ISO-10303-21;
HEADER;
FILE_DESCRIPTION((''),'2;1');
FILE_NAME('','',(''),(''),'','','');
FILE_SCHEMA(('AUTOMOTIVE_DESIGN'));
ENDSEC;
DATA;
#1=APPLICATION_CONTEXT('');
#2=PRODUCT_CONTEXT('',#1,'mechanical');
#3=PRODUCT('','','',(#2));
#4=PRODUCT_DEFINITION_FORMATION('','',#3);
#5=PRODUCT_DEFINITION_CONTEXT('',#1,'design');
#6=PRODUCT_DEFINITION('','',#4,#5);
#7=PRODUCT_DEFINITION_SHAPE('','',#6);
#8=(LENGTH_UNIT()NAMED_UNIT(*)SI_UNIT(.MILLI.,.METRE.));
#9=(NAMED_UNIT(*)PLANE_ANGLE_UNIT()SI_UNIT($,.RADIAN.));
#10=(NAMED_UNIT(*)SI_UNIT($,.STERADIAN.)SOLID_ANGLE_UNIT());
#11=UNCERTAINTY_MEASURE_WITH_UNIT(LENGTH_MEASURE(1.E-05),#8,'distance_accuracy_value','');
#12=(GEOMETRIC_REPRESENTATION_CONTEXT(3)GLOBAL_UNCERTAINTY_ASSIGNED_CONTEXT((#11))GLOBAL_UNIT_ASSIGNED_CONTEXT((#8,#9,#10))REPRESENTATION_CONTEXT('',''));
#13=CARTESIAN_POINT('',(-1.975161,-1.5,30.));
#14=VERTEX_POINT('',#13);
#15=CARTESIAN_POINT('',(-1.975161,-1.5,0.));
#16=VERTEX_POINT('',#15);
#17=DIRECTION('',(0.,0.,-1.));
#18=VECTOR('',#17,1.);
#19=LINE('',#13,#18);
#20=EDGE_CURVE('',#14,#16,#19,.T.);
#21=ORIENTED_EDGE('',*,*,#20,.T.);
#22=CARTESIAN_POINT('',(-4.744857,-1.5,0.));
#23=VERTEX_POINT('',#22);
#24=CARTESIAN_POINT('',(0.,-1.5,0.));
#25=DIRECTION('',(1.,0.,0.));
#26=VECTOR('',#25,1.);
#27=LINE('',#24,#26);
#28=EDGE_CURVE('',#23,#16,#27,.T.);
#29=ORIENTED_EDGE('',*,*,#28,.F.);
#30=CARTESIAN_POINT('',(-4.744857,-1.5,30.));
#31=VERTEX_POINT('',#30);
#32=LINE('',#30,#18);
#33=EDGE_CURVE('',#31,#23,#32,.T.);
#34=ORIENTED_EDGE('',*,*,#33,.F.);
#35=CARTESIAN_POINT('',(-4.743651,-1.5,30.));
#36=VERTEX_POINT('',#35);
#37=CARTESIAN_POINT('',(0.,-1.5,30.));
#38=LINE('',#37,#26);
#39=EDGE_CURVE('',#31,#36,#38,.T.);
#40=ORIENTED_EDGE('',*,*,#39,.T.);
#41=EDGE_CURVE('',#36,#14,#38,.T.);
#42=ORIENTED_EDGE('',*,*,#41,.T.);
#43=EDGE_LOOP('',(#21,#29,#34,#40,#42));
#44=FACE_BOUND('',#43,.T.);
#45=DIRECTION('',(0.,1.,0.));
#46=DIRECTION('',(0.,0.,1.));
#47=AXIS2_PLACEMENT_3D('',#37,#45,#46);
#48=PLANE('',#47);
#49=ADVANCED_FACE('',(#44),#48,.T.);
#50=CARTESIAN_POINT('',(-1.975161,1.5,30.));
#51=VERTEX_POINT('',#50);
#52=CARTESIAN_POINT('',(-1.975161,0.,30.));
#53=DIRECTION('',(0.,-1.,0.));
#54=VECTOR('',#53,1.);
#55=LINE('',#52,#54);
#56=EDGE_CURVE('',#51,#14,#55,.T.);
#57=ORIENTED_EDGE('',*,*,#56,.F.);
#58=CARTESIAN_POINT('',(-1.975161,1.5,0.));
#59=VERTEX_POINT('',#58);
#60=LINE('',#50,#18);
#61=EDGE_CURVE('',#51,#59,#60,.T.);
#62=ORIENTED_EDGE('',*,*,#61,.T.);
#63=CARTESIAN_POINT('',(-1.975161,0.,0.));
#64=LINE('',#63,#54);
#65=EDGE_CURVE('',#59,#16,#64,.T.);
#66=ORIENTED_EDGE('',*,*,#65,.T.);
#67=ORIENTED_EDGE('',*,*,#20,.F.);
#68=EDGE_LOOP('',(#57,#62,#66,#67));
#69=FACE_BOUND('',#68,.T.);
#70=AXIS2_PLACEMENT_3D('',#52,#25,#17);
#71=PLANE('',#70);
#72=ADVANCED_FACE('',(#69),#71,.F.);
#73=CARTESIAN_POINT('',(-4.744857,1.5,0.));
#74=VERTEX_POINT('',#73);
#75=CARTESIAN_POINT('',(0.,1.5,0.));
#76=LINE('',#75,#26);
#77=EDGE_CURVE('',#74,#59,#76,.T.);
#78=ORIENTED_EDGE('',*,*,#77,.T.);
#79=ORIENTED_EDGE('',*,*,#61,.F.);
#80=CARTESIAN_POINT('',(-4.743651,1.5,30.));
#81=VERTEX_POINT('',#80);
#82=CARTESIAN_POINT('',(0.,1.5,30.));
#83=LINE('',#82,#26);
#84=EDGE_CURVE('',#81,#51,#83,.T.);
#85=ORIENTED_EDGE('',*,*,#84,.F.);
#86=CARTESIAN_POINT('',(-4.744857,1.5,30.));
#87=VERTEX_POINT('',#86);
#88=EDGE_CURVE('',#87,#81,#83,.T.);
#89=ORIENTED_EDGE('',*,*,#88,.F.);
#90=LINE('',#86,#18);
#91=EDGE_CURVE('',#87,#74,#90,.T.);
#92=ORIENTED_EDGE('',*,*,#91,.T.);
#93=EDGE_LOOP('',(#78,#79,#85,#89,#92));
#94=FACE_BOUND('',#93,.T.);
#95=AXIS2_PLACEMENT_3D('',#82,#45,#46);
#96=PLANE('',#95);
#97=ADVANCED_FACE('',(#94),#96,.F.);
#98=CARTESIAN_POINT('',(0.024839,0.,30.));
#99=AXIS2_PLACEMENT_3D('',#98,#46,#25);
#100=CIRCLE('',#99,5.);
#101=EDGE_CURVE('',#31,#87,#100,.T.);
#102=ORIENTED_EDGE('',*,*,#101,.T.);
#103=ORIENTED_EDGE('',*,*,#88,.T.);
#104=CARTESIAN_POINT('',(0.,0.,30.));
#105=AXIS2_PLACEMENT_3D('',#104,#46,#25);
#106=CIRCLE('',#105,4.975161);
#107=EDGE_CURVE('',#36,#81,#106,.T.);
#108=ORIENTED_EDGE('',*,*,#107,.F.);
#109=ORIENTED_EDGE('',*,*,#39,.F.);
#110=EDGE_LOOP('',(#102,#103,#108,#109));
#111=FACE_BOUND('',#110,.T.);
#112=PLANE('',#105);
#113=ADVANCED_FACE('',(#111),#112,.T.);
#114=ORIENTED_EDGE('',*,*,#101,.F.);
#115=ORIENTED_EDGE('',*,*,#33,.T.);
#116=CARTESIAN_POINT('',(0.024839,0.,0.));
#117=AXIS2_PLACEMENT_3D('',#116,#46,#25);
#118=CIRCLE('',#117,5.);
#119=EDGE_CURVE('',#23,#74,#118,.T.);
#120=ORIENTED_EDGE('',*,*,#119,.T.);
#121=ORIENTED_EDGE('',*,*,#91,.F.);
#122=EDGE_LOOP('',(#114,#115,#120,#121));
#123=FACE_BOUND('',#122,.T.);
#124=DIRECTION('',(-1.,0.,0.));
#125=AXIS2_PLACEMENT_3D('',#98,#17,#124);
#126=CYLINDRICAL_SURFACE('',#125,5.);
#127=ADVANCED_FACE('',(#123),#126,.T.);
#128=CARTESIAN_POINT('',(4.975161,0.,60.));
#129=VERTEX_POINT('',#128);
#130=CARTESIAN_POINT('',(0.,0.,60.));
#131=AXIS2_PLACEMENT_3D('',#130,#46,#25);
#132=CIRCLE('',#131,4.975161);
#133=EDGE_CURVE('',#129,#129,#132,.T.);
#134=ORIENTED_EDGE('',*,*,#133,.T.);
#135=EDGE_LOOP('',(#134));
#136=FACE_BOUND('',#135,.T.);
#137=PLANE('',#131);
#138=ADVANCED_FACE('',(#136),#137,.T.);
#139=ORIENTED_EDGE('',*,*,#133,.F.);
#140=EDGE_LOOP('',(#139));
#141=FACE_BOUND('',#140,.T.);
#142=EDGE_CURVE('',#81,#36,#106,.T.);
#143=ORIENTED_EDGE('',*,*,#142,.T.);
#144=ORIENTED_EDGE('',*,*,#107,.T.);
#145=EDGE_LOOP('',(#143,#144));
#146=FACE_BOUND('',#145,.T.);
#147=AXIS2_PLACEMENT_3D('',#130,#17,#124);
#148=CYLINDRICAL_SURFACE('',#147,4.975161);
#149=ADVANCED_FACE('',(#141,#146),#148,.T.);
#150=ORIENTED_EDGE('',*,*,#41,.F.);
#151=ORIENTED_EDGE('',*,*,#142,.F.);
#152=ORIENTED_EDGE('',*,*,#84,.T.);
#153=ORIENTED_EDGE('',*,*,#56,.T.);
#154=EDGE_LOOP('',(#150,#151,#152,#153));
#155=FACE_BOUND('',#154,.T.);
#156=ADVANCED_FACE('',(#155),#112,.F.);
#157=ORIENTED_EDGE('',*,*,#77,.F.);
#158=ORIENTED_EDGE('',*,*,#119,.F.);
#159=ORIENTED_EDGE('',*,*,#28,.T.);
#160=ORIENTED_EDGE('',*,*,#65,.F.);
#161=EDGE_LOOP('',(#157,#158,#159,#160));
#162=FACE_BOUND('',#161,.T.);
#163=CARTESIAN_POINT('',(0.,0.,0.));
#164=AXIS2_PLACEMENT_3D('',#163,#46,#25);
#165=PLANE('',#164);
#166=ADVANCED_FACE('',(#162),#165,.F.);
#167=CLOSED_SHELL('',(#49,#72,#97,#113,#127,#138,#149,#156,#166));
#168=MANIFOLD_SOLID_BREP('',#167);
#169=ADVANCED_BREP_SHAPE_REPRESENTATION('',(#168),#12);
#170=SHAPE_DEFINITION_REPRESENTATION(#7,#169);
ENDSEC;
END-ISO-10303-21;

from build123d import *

# Parameters (mm, degrees)
BOSS_EXTRUDE1_DEPTH = 30
SKETCH2_R           = 4.97516062
BOSS_EXTRUDE2_DEPTH = 30


with BuildPart() as part:
    # Sketch1 → Boss-Extrude1 (new body)
    with BuildSketch(Plane.XY):
        with BuildLine():
            Line((-1.97516062, 1.5), (-1.97516062, 0))
            Line((-1.97516062, 0), (-1.97516062, -1.5))
            Line((-1.97516062, -1.5), (-4.744856627, -1.5))
            ThreePointArc((-4.744856627, -1.5), (0.783627877, -4.942088629), (5.02483938, 0))
            ThreePointArc((5.02483938, 0), (0.783627877, 4.942088629), (-4.744856627, 1.5))
            Line((-4.744856627, 1.5), (-1.97516062, 1.5))
        make_face()
    extrude(amount=BOSS_EXTRUDE1_DEPTH)

    # Sketch2 → Boss-Extrude2 (add)
    with BuildSketch(Plane.XY.offset(30)):
        Circle(SKETCH2_R)
    extrude(amount=BOSS_EXTRUDE2_DEPTH)


solid = part.part
